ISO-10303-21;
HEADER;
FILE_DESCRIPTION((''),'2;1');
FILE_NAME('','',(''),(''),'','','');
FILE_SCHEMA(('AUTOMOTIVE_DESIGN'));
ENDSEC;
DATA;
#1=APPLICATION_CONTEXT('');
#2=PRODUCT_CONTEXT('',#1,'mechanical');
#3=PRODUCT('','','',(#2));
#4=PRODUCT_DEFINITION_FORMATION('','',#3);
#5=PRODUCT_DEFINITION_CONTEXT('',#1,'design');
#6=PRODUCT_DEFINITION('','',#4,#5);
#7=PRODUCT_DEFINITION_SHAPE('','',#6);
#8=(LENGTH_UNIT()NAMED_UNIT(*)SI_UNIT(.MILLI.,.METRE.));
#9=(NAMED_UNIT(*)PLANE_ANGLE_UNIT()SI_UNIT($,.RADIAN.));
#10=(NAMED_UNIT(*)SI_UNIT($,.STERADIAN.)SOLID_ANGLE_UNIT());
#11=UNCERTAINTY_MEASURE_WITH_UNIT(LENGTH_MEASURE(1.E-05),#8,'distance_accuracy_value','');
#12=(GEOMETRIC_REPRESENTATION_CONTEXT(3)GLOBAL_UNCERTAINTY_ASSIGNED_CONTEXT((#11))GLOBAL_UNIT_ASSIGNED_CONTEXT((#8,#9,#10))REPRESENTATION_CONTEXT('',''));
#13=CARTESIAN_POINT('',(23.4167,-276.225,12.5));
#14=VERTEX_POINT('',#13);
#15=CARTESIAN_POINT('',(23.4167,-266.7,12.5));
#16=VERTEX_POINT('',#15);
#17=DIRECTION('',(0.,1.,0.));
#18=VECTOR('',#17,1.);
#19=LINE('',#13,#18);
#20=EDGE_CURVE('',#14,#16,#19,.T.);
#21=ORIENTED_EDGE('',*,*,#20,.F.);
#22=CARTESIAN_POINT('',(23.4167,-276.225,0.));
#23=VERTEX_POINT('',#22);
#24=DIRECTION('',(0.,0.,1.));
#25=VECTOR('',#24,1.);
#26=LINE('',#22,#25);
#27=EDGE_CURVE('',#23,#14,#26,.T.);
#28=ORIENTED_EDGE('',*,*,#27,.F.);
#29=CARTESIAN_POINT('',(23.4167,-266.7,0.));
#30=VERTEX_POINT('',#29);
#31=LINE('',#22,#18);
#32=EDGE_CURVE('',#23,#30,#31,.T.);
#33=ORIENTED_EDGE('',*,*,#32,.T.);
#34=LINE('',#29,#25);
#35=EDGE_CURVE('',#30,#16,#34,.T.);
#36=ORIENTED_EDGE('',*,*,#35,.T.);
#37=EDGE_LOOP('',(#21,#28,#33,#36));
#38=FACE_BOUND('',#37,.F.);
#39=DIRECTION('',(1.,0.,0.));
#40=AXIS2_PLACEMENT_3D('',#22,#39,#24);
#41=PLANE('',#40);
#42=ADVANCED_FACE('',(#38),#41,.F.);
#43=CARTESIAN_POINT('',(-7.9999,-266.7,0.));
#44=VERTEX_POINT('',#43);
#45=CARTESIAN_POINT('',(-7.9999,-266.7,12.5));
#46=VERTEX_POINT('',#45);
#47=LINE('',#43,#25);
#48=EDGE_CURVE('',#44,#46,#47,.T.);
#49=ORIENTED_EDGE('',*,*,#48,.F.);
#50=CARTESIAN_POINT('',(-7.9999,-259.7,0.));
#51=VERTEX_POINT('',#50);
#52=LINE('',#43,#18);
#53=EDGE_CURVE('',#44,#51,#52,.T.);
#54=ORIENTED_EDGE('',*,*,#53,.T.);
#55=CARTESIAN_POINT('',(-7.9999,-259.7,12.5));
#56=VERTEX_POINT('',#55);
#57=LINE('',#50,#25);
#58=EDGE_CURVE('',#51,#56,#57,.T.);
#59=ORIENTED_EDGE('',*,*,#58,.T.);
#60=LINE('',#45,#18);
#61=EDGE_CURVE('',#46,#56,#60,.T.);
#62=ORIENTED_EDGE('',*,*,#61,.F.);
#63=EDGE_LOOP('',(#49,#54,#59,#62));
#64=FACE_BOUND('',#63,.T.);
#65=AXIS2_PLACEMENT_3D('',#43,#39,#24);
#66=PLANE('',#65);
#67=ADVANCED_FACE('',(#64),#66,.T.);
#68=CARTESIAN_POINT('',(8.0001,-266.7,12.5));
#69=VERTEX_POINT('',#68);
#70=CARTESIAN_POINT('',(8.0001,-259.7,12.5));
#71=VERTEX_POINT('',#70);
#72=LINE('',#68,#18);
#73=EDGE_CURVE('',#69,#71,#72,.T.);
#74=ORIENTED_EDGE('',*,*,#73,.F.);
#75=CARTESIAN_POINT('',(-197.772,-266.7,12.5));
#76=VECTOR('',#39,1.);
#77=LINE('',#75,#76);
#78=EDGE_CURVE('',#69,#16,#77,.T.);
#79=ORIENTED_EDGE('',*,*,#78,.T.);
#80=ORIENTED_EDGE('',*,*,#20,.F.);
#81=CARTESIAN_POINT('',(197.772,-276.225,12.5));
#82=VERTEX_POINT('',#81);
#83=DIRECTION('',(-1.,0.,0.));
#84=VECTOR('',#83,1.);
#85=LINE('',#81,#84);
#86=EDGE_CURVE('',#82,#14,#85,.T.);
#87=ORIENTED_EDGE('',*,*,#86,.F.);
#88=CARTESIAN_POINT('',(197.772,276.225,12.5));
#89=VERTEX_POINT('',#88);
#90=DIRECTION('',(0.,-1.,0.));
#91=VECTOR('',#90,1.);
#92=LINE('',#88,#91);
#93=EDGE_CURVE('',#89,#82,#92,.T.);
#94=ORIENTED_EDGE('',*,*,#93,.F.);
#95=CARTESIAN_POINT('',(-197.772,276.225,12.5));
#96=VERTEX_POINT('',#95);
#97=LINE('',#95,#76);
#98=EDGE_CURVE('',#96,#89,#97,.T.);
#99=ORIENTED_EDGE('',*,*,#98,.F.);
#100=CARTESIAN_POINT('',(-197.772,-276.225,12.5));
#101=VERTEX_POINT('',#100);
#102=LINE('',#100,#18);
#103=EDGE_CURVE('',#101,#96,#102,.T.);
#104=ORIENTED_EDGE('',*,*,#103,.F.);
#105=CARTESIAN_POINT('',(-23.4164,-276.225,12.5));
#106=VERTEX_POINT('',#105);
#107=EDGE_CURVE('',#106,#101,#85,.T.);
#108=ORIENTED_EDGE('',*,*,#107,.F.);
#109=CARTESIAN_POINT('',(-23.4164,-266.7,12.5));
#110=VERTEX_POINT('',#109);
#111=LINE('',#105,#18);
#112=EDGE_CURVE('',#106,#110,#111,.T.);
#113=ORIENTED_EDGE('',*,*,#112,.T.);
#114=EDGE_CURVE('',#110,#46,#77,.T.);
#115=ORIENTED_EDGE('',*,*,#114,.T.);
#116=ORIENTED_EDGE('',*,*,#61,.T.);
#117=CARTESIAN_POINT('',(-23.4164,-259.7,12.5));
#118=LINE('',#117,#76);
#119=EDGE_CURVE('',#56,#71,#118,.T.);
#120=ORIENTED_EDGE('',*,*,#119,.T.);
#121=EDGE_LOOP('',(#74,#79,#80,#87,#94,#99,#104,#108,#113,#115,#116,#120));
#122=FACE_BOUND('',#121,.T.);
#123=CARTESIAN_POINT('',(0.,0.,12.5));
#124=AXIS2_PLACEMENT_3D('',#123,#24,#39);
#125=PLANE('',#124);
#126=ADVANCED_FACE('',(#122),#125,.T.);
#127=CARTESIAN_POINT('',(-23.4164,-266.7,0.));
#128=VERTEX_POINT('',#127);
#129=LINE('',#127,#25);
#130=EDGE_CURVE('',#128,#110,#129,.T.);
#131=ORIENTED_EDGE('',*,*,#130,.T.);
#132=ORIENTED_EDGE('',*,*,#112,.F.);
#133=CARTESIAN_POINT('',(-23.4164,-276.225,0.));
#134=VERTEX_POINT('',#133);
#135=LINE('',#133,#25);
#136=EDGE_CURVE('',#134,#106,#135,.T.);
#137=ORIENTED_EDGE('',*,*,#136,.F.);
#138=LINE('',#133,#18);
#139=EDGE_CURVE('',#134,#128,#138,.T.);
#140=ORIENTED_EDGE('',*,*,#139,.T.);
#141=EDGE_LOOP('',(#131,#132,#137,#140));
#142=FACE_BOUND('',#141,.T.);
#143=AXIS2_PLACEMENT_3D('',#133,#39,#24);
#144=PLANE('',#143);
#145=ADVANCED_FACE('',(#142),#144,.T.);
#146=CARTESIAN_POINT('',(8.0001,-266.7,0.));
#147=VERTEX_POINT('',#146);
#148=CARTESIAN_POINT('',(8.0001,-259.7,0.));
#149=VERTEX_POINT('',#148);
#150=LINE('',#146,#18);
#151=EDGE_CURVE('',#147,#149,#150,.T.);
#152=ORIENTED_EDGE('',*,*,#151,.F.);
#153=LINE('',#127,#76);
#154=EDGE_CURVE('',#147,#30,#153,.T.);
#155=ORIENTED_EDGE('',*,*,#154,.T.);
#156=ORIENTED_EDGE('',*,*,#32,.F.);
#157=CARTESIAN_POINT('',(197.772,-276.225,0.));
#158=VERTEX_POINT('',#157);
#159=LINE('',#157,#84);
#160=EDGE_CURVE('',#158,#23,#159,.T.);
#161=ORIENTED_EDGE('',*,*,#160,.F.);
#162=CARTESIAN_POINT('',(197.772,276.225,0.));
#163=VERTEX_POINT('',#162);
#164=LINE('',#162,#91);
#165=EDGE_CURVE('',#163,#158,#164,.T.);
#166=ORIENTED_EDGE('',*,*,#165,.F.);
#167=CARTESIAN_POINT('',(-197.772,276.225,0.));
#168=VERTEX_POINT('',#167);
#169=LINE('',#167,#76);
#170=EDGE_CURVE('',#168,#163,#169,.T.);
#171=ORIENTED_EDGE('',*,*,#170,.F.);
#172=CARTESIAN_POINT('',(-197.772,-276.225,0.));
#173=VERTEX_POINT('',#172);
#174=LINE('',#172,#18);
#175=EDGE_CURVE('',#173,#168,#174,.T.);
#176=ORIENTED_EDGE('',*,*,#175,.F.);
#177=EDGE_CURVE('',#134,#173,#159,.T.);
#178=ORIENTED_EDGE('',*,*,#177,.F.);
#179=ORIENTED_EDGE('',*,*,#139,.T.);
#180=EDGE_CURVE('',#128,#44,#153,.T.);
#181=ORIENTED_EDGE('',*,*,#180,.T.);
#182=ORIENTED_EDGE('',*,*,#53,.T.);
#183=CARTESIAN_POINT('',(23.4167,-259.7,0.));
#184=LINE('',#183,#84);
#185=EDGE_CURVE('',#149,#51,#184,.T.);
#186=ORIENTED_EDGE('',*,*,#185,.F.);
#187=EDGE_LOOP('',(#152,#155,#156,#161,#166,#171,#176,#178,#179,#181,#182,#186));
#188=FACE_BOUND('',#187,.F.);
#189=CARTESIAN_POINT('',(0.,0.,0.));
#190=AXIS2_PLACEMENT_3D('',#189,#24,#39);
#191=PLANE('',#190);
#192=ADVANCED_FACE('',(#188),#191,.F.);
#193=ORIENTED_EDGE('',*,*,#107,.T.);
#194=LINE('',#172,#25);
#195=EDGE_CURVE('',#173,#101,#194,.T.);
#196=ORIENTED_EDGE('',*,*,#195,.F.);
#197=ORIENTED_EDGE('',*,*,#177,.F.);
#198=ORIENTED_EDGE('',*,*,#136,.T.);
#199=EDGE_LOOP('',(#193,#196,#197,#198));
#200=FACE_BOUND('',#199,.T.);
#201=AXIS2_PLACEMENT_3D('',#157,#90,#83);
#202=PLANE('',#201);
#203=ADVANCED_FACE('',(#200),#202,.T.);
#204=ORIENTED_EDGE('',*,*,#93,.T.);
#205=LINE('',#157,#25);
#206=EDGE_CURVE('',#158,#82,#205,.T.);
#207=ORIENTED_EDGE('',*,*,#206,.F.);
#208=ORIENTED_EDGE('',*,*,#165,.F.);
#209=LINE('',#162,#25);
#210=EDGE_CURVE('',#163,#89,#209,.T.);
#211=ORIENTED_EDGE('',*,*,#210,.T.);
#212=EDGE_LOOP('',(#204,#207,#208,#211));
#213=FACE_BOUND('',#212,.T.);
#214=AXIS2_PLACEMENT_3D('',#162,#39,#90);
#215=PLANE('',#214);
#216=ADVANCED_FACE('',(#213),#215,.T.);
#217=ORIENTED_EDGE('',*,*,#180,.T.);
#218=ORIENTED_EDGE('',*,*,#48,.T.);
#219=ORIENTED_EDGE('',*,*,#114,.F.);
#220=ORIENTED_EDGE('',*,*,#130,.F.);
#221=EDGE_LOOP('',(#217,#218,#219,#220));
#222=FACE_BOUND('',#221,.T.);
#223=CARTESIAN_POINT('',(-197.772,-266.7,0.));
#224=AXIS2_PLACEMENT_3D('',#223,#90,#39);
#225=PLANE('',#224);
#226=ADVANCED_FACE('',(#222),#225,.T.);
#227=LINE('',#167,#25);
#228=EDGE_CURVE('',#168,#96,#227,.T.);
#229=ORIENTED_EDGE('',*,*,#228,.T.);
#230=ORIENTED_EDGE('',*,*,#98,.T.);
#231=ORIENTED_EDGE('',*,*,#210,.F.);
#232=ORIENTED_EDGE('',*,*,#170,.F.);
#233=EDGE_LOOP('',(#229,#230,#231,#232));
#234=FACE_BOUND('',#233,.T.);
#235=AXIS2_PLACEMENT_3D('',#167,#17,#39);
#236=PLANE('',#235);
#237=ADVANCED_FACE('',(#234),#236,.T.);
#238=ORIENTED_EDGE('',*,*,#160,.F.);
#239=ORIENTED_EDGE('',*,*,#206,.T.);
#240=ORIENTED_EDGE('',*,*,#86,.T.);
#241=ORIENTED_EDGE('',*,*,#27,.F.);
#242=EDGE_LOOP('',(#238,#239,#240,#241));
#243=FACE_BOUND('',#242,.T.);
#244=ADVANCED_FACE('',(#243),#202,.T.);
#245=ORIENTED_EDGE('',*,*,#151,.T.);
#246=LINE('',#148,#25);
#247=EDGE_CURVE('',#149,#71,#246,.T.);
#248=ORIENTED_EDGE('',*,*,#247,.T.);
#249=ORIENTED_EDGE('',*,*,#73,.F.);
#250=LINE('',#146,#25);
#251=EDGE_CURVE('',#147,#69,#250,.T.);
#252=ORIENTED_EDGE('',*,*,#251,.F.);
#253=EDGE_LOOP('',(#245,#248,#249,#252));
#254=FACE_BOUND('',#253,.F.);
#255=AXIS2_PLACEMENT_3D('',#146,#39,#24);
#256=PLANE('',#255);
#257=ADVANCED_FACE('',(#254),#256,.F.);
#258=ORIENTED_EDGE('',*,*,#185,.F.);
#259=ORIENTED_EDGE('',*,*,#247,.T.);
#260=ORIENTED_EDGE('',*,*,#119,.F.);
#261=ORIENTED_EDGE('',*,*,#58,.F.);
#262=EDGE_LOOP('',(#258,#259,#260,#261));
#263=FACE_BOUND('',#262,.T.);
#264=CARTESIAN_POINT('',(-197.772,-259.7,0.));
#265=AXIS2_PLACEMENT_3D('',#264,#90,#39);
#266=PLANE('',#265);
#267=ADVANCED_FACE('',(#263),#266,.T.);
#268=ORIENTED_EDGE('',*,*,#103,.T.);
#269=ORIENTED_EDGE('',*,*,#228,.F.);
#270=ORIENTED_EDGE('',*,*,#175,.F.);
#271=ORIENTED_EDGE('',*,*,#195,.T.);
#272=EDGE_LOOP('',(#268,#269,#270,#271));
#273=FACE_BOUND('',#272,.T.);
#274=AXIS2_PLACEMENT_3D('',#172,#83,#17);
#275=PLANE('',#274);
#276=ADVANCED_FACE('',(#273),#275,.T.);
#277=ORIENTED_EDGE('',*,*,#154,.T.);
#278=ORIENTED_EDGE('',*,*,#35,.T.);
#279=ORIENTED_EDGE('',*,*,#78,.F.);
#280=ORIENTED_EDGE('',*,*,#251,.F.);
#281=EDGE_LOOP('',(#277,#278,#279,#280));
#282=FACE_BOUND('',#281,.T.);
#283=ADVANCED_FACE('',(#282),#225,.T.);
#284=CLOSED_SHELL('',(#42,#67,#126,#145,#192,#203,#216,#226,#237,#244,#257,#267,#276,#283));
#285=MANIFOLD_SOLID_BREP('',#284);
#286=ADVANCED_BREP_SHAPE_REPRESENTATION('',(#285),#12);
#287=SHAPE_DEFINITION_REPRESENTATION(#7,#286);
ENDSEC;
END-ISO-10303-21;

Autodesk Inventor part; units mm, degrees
ref_plane "YZ Plane" through (0, 0, 0) normal (1, 0, 0) x (0, 1, 0)
ref_plane "XZ Plane" through (0, 0, 0) normal (0, 1, 0) x (-1, 0, 0)
ref_plane "XY Plane" through (0, 0, 0) normal (0, 0, 1) x (1, 0, 0)
sketch "Sketch1" plane through (0, 0, 0) normal (0, 0, 1) x (1, 0, 0)
  line L0 (-197.772, 276.225) -> (197.772, 276.225)
  line L1 (197.772, 276.225) -> (197.772, -276.225)
  line L2 (197.772, -276.225) -> (-197.772, -276.225)
  line L3 (-197.772, -276.225) -> (-197.772, 276.225)
  point P0 (0, 0)
  point P1 (-197.772, 0)
  point P2 (0, 276.225)
  dimension "d0" = 395.544
  dimension "d2" = 552.45
extrude "Extrusion1" add sketch "Sketch1" along normal blind 12.5
sketch "Sketch2" plane through (-197.772, -276.225, 0) normal (0, -1, 0) x (1, 0, 0)
  line L0 (395.544, 0) -> (0, 0) projected
  line L1 (0, 12.5) -> (395.544, 12.5) projected
  circle A0 centre (322.7721, -216.5151) radius 4.1 projected
  circle A1 centre (72.7721, -216.5151) radius 4.1 projected
  circle A2 centre (197.7721, -0.0087) radius 4.1 projected
  arc A3 (204.0221, 10.8166) -> (191.5221, 10.8166) centre (197.7721, -0.0087) ccw projected
  arc A4 (335.2721, -216.5151) -> (204.0221, 10.8166) centre (72.7721, -216.5151) ccw projected
  arc A5 (329.0221, -227.3404) -> (335.2721, -216.5151) centre (322.7721, -216.5151) ccw projected
  arc A6 (66.5221, -227.3404) -> (329.0221, -227.3404) centre (197.7721, -0.0087) ccw projected
  arc A7 (60.2721, -216.5151) -> (66.5221, -227.3404) centre (72.7721, -216.5151) ccw projected
  arc A8 (191.5221, 10.8166) -> (60.2721, -216.5151) centre (322.7721, -216.5151) ccw projected
  line L2 (174.3556, 0) -> (174.3556, 12.5)
  line L3 (221.1887, 0) -> (221.1887, 12.5)
  point P0 (197.772, 0)
extrude "Extrusion2" cut sketch "Sketch2" against normal blind 9.525 contours L0 A2 A8 A3 A4 | A4 A3 A8 L2 L1 L3 | L0 A2 picked at (197.9366, 1.3538)
sketch "Sketch3" plane through (-197.772, -266.7, 0) normal (0, -1, 0) x (1, 0, 0)
  line L0 (221.1887, 0) -> (174.3556, 0) projected
  line L1 (174.3556, 12.5) -> (221.1887, 12.5) projected
  circle A0 centre (197.7721, -0.0087) radius 8 projected
  line L2 (189.7721, 0) -> (189.7721, 12.5)
  line L3 (205.7721, 0) -> (205.7721, 12.5)
  point P0 (197.772, 0)
  point P1 (190.2666, -0.0087)
  point P2 (205.2777, -0.0087)
extrude "Extrusion3" cut sketch "Sketch3" against normal blind 7 contours L0 A0 | A0 L2 L1 L3 picked at (198.0933, 3.9197)
properties part number "side board"
